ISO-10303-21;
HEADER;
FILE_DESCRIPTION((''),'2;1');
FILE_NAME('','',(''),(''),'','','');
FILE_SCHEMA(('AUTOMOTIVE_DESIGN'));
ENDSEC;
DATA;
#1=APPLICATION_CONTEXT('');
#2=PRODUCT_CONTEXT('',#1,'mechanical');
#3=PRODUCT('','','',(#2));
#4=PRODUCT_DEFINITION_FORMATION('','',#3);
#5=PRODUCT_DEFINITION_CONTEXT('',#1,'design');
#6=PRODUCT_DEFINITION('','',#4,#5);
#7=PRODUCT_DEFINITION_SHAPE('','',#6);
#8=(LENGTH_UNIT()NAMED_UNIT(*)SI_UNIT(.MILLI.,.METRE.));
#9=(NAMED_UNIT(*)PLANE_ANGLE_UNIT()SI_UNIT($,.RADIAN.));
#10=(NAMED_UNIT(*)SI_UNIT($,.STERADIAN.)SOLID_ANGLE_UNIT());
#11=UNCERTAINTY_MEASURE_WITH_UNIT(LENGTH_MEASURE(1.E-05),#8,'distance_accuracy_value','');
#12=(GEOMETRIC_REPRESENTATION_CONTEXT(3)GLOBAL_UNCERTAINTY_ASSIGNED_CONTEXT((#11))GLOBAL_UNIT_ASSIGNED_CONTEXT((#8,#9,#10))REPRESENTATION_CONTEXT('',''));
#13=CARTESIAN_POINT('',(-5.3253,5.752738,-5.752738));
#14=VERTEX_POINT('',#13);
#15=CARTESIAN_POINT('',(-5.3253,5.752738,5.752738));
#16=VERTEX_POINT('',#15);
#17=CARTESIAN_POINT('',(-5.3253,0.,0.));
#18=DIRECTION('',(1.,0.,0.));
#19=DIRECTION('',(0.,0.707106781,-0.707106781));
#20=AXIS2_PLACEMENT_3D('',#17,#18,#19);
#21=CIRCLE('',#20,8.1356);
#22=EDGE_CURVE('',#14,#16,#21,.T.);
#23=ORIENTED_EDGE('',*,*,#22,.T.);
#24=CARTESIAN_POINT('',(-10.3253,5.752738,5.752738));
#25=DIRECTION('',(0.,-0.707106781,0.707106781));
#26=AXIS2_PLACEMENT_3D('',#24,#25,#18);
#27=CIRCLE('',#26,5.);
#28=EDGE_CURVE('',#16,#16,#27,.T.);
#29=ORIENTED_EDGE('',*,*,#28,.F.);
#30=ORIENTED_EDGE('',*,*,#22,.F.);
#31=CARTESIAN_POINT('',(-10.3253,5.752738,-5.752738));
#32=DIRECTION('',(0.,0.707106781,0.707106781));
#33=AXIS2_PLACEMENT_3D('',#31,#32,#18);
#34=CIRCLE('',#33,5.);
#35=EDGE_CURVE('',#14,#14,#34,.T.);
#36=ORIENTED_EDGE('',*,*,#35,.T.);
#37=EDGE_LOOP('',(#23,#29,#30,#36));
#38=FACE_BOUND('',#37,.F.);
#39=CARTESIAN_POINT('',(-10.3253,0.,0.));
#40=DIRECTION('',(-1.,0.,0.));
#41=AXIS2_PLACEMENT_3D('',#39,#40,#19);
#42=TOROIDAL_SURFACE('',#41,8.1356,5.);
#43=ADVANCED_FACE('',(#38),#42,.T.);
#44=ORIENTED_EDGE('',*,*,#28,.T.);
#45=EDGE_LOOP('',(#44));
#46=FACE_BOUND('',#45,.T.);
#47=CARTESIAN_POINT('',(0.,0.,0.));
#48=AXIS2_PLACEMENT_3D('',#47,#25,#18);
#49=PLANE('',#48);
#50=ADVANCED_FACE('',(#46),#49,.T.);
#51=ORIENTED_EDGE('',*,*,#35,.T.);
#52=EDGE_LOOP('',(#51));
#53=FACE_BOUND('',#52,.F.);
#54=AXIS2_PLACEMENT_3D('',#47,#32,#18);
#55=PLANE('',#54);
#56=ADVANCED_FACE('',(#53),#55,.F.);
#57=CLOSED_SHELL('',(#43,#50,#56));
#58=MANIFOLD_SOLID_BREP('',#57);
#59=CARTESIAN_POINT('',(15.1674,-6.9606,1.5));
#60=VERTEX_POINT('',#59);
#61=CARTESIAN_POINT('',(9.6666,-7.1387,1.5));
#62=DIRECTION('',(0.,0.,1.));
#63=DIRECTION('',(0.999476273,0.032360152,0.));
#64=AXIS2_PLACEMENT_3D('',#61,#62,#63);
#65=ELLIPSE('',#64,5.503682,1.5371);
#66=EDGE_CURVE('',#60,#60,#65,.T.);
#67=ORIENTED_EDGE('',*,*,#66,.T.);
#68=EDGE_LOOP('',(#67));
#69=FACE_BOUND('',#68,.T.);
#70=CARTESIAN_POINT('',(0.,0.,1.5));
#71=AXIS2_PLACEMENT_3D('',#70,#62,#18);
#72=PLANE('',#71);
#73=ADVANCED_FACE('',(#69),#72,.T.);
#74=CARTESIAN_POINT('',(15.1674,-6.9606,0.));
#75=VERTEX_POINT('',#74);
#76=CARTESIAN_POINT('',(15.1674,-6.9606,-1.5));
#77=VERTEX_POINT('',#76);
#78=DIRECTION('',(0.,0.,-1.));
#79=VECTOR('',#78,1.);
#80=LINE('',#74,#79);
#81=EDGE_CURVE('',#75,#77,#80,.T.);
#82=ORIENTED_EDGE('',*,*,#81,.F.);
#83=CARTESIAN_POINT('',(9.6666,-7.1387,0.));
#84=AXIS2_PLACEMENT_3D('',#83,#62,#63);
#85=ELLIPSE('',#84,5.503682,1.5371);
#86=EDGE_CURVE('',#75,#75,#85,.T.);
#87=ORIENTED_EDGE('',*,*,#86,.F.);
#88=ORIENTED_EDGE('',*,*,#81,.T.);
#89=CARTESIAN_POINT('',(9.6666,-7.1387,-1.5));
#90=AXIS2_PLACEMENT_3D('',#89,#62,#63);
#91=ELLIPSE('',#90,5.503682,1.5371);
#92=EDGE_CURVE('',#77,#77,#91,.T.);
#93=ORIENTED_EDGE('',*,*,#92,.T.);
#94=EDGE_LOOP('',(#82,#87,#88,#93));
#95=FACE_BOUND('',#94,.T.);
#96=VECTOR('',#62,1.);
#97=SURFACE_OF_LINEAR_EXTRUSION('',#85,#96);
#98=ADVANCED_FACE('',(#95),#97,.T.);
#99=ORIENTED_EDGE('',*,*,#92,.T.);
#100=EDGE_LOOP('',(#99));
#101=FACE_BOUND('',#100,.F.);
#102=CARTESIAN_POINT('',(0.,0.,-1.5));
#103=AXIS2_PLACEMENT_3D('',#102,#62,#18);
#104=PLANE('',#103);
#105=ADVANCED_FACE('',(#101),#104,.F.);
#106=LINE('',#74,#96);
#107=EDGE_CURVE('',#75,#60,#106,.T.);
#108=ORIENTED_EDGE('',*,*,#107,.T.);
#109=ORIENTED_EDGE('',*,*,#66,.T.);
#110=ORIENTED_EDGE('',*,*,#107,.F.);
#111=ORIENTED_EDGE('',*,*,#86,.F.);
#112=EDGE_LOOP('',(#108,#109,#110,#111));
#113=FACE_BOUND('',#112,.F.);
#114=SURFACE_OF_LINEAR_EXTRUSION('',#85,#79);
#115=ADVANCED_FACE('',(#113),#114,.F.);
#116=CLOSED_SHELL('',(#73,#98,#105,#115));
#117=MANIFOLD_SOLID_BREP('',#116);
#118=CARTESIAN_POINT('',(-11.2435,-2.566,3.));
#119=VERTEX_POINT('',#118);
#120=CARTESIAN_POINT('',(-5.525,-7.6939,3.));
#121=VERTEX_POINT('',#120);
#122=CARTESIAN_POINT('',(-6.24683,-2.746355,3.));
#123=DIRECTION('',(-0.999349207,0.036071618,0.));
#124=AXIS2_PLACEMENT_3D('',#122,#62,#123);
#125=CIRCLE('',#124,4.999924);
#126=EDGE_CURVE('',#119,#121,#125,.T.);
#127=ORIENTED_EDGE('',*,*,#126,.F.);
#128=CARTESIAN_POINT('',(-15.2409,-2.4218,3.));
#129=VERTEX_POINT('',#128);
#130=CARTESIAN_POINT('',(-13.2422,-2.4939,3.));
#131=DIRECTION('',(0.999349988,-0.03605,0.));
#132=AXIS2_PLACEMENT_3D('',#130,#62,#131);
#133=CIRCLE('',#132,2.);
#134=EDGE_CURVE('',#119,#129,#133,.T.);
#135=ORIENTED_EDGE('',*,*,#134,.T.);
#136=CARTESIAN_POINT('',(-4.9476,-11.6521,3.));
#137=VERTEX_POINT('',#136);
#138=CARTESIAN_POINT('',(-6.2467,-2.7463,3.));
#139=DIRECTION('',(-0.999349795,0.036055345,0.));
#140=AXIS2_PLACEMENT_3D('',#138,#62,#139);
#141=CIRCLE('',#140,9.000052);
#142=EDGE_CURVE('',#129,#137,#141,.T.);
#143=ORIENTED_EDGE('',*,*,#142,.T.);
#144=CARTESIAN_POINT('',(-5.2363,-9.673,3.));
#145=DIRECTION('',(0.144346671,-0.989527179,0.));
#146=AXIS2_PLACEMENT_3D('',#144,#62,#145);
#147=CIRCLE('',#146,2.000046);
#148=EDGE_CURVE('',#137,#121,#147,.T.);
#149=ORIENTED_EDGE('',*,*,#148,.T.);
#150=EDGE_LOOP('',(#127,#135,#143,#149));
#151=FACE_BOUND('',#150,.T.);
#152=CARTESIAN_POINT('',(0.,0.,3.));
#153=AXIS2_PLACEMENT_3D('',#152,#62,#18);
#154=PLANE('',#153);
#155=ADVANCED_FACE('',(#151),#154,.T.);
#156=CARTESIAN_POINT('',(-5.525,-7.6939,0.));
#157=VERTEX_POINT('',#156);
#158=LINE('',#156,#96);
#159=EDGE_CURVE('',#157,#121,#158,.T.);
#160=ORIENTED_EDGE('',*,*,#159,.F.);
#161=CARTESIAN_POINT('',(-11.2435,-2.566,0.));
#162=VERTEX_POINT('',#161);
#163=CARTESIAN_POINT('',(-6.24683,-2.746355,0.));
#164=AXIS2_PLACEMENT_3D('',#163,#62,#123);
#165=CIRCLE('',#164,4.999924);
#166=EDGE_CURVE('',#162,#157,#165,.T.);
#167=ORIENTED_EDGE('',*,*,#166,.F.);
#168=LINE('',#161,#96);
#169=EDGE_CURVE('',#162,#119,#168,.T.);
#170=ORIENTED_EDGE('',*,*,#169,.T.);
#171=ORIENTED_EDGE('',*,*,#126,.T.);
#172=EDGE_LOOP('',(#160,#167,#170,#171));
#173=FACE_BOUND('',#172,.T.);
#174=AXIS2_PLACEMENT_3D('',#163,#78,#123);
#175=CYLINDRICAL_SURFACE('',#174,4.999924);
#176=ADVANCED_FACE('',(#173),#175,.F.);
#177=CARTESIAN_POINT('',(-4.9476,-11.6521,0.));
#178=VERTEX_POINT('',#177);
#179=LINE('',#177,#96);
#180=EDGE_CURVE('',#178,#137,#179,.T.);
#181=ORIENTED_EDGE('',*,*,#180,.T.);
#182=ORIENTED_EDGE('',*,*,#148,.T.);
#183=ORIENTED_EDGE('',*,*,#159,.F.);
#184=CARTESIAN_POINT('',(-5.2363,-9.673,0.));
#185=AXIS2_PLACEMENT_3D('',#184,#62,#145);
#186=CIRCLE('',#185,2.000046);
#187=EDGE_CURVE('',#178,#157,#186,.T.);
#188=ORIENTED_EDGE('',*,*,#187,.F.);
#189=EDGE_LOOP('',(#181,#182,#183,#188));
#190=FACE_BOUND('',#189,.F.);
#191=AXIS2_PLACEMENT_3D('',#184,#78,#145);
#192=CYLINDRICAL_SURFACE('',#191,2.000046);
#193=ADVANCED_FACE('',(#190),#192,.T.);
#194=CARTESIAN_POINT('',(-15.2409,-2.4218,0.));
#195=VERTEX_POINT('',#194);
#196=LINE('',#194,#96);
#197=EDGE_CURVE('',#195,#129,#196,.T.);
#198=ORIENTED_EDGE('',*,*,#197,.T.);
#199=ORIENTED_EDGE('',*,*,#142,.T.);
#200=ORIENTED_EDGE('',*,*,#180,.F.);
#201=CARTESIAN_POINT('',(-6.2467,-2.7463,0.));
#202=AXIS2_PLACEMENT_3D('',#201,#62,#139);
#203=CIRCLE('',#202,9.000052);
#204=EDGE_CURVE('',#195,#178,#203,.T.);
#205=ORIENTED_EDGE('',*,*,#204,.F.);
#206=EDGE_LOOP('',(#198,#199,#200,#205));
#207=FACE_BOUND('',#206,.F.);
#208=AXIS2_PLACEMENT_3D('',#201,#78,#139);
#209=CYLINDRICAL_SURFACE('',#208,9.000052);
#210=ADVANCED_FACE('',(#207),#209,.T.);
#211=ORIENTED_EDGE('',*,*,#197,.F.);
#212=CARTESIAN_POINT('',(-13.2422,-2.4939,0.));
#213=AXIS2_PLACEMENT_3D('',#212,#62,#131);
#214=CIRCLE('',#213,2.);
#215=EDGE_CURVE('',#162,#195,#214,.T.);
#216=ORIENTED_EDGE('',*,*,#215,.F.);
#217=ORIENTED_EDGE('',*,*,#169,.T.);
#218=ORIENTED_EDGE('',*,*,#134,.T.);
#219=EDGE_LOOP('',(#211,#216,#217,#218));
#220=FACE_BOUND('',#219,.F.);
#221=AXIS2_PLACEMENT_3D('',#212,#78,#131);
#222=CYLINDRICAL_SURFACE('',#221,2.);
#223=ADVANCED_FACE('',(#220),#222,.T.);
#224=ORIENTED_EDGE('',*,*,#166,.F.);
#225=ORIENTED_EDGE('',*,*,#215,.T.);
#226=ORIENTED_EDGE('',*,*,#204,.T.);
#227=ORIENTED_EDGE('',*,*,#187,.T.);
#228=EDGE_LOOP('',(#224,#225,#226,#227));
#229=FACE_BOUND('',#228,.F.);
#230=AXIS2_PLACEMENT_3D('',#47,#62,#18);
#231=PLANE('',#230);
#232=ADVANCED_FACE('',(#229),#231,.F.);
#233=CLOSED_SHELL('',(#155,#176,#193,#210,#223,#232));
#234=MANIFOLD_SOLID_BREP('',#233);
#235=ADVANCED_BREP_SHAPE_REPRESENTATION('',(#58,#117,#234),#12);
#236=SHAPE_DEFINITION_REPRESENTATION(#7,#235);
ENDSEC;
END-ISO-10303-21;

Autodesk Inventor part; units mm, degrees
ref_plane "YZ Plane" through (0, 0, 0) normal (1, 0, 0) x (0, 1, 0)
ref_plane "XZ Plane" through (0, 0, 0) normal (0, 1, 0) x (-1, 0, 0)
ref_plane "XY Plane" through (0, 0, 0) normal (0, 0, 1) x (1, 0, 0)
sketch "Demo-Sketch-01" plane through (0, 0, 0) normal (0, 0, 1) x (1, 0, 0)
  circle A0 centre (-10.3253, 8.1356) radius 5
  line L0 (4.75, 4.25) -> (15.1674, 4.25)
  line L1 (15.1674, 4.25) -> (15.1674, 12.1011)
  line L2 (15.1674, 12.1011) -> (4.75, 12.1011)
  line L3 (4.75, 12.1011) -> (4.75, 4.25)
  ellipse E0 centre (9.6666, -7.1387) end of major axis (15.1674, -6.9606) minor radius 1.5371
  line L4 (-7.7973, 0) -> (7.6193, 0) construction
  line L5 (-7.7973, -1.0147) -> (7.6193, -1.0147)
  line L6 (7.6193, 1.0147) -> (-7.7973, 1.0147)
  arc A1 (-7.7973, 1.0147) -> (-7.7973, -1.0147) centre (-7.7973, 0) ccw
  arc A2 (7.6193, -1.0147) -> (7.6193, 1.0147) centre (7.6193, 0) ccw
  arc A3 (-13.2422, -2.4939) -> (-5.2363, -9.673) centre (-6.2467, -2.7463) ccw construction
  arc A4 (-15.2409, -2.4218) -> (-4.9476, -11.6521) centre (-6.2467, -2.7463) ccw
  arc A5 (-11.2435, -2.566) -> (-5.525, -7.6939) centre (-6.2467, -2.7463) ccw
  arc A6 (-11.2435, -2.566) -> (-15.2409, -2.4218) centre (-13.2422, -2.4939) ccw
  arc A7 (-4.9476, -11.6521) -> (-5.525, -7.6939) centre (-5.2363, -9.673) ccw
  point P0 (0, 0)
  point P1 (-0.089, 0)
  dimension "d0" = 10
  dimension "d1" = 2
  dimension "d2" = 4.25
  dimension "d3" = 13
  dimension "d4" = 4.75
extrude "Extrusion1" add sketch "Demo-Sketch-01" along normal blind 3 contours A6 A5 A7 A4
extrude "Extrusion2" add sketch "Demo-Sketch-01" along normal mid plane 3 contours E0
revolve "Umdrehung1" add sketch "Demo-Sketch-01" angle 90 mid plane about axis through (-7.7973, 0, 0) along (1, 0, 0) contours A0
properties part number "Demo-Status-0.2"
